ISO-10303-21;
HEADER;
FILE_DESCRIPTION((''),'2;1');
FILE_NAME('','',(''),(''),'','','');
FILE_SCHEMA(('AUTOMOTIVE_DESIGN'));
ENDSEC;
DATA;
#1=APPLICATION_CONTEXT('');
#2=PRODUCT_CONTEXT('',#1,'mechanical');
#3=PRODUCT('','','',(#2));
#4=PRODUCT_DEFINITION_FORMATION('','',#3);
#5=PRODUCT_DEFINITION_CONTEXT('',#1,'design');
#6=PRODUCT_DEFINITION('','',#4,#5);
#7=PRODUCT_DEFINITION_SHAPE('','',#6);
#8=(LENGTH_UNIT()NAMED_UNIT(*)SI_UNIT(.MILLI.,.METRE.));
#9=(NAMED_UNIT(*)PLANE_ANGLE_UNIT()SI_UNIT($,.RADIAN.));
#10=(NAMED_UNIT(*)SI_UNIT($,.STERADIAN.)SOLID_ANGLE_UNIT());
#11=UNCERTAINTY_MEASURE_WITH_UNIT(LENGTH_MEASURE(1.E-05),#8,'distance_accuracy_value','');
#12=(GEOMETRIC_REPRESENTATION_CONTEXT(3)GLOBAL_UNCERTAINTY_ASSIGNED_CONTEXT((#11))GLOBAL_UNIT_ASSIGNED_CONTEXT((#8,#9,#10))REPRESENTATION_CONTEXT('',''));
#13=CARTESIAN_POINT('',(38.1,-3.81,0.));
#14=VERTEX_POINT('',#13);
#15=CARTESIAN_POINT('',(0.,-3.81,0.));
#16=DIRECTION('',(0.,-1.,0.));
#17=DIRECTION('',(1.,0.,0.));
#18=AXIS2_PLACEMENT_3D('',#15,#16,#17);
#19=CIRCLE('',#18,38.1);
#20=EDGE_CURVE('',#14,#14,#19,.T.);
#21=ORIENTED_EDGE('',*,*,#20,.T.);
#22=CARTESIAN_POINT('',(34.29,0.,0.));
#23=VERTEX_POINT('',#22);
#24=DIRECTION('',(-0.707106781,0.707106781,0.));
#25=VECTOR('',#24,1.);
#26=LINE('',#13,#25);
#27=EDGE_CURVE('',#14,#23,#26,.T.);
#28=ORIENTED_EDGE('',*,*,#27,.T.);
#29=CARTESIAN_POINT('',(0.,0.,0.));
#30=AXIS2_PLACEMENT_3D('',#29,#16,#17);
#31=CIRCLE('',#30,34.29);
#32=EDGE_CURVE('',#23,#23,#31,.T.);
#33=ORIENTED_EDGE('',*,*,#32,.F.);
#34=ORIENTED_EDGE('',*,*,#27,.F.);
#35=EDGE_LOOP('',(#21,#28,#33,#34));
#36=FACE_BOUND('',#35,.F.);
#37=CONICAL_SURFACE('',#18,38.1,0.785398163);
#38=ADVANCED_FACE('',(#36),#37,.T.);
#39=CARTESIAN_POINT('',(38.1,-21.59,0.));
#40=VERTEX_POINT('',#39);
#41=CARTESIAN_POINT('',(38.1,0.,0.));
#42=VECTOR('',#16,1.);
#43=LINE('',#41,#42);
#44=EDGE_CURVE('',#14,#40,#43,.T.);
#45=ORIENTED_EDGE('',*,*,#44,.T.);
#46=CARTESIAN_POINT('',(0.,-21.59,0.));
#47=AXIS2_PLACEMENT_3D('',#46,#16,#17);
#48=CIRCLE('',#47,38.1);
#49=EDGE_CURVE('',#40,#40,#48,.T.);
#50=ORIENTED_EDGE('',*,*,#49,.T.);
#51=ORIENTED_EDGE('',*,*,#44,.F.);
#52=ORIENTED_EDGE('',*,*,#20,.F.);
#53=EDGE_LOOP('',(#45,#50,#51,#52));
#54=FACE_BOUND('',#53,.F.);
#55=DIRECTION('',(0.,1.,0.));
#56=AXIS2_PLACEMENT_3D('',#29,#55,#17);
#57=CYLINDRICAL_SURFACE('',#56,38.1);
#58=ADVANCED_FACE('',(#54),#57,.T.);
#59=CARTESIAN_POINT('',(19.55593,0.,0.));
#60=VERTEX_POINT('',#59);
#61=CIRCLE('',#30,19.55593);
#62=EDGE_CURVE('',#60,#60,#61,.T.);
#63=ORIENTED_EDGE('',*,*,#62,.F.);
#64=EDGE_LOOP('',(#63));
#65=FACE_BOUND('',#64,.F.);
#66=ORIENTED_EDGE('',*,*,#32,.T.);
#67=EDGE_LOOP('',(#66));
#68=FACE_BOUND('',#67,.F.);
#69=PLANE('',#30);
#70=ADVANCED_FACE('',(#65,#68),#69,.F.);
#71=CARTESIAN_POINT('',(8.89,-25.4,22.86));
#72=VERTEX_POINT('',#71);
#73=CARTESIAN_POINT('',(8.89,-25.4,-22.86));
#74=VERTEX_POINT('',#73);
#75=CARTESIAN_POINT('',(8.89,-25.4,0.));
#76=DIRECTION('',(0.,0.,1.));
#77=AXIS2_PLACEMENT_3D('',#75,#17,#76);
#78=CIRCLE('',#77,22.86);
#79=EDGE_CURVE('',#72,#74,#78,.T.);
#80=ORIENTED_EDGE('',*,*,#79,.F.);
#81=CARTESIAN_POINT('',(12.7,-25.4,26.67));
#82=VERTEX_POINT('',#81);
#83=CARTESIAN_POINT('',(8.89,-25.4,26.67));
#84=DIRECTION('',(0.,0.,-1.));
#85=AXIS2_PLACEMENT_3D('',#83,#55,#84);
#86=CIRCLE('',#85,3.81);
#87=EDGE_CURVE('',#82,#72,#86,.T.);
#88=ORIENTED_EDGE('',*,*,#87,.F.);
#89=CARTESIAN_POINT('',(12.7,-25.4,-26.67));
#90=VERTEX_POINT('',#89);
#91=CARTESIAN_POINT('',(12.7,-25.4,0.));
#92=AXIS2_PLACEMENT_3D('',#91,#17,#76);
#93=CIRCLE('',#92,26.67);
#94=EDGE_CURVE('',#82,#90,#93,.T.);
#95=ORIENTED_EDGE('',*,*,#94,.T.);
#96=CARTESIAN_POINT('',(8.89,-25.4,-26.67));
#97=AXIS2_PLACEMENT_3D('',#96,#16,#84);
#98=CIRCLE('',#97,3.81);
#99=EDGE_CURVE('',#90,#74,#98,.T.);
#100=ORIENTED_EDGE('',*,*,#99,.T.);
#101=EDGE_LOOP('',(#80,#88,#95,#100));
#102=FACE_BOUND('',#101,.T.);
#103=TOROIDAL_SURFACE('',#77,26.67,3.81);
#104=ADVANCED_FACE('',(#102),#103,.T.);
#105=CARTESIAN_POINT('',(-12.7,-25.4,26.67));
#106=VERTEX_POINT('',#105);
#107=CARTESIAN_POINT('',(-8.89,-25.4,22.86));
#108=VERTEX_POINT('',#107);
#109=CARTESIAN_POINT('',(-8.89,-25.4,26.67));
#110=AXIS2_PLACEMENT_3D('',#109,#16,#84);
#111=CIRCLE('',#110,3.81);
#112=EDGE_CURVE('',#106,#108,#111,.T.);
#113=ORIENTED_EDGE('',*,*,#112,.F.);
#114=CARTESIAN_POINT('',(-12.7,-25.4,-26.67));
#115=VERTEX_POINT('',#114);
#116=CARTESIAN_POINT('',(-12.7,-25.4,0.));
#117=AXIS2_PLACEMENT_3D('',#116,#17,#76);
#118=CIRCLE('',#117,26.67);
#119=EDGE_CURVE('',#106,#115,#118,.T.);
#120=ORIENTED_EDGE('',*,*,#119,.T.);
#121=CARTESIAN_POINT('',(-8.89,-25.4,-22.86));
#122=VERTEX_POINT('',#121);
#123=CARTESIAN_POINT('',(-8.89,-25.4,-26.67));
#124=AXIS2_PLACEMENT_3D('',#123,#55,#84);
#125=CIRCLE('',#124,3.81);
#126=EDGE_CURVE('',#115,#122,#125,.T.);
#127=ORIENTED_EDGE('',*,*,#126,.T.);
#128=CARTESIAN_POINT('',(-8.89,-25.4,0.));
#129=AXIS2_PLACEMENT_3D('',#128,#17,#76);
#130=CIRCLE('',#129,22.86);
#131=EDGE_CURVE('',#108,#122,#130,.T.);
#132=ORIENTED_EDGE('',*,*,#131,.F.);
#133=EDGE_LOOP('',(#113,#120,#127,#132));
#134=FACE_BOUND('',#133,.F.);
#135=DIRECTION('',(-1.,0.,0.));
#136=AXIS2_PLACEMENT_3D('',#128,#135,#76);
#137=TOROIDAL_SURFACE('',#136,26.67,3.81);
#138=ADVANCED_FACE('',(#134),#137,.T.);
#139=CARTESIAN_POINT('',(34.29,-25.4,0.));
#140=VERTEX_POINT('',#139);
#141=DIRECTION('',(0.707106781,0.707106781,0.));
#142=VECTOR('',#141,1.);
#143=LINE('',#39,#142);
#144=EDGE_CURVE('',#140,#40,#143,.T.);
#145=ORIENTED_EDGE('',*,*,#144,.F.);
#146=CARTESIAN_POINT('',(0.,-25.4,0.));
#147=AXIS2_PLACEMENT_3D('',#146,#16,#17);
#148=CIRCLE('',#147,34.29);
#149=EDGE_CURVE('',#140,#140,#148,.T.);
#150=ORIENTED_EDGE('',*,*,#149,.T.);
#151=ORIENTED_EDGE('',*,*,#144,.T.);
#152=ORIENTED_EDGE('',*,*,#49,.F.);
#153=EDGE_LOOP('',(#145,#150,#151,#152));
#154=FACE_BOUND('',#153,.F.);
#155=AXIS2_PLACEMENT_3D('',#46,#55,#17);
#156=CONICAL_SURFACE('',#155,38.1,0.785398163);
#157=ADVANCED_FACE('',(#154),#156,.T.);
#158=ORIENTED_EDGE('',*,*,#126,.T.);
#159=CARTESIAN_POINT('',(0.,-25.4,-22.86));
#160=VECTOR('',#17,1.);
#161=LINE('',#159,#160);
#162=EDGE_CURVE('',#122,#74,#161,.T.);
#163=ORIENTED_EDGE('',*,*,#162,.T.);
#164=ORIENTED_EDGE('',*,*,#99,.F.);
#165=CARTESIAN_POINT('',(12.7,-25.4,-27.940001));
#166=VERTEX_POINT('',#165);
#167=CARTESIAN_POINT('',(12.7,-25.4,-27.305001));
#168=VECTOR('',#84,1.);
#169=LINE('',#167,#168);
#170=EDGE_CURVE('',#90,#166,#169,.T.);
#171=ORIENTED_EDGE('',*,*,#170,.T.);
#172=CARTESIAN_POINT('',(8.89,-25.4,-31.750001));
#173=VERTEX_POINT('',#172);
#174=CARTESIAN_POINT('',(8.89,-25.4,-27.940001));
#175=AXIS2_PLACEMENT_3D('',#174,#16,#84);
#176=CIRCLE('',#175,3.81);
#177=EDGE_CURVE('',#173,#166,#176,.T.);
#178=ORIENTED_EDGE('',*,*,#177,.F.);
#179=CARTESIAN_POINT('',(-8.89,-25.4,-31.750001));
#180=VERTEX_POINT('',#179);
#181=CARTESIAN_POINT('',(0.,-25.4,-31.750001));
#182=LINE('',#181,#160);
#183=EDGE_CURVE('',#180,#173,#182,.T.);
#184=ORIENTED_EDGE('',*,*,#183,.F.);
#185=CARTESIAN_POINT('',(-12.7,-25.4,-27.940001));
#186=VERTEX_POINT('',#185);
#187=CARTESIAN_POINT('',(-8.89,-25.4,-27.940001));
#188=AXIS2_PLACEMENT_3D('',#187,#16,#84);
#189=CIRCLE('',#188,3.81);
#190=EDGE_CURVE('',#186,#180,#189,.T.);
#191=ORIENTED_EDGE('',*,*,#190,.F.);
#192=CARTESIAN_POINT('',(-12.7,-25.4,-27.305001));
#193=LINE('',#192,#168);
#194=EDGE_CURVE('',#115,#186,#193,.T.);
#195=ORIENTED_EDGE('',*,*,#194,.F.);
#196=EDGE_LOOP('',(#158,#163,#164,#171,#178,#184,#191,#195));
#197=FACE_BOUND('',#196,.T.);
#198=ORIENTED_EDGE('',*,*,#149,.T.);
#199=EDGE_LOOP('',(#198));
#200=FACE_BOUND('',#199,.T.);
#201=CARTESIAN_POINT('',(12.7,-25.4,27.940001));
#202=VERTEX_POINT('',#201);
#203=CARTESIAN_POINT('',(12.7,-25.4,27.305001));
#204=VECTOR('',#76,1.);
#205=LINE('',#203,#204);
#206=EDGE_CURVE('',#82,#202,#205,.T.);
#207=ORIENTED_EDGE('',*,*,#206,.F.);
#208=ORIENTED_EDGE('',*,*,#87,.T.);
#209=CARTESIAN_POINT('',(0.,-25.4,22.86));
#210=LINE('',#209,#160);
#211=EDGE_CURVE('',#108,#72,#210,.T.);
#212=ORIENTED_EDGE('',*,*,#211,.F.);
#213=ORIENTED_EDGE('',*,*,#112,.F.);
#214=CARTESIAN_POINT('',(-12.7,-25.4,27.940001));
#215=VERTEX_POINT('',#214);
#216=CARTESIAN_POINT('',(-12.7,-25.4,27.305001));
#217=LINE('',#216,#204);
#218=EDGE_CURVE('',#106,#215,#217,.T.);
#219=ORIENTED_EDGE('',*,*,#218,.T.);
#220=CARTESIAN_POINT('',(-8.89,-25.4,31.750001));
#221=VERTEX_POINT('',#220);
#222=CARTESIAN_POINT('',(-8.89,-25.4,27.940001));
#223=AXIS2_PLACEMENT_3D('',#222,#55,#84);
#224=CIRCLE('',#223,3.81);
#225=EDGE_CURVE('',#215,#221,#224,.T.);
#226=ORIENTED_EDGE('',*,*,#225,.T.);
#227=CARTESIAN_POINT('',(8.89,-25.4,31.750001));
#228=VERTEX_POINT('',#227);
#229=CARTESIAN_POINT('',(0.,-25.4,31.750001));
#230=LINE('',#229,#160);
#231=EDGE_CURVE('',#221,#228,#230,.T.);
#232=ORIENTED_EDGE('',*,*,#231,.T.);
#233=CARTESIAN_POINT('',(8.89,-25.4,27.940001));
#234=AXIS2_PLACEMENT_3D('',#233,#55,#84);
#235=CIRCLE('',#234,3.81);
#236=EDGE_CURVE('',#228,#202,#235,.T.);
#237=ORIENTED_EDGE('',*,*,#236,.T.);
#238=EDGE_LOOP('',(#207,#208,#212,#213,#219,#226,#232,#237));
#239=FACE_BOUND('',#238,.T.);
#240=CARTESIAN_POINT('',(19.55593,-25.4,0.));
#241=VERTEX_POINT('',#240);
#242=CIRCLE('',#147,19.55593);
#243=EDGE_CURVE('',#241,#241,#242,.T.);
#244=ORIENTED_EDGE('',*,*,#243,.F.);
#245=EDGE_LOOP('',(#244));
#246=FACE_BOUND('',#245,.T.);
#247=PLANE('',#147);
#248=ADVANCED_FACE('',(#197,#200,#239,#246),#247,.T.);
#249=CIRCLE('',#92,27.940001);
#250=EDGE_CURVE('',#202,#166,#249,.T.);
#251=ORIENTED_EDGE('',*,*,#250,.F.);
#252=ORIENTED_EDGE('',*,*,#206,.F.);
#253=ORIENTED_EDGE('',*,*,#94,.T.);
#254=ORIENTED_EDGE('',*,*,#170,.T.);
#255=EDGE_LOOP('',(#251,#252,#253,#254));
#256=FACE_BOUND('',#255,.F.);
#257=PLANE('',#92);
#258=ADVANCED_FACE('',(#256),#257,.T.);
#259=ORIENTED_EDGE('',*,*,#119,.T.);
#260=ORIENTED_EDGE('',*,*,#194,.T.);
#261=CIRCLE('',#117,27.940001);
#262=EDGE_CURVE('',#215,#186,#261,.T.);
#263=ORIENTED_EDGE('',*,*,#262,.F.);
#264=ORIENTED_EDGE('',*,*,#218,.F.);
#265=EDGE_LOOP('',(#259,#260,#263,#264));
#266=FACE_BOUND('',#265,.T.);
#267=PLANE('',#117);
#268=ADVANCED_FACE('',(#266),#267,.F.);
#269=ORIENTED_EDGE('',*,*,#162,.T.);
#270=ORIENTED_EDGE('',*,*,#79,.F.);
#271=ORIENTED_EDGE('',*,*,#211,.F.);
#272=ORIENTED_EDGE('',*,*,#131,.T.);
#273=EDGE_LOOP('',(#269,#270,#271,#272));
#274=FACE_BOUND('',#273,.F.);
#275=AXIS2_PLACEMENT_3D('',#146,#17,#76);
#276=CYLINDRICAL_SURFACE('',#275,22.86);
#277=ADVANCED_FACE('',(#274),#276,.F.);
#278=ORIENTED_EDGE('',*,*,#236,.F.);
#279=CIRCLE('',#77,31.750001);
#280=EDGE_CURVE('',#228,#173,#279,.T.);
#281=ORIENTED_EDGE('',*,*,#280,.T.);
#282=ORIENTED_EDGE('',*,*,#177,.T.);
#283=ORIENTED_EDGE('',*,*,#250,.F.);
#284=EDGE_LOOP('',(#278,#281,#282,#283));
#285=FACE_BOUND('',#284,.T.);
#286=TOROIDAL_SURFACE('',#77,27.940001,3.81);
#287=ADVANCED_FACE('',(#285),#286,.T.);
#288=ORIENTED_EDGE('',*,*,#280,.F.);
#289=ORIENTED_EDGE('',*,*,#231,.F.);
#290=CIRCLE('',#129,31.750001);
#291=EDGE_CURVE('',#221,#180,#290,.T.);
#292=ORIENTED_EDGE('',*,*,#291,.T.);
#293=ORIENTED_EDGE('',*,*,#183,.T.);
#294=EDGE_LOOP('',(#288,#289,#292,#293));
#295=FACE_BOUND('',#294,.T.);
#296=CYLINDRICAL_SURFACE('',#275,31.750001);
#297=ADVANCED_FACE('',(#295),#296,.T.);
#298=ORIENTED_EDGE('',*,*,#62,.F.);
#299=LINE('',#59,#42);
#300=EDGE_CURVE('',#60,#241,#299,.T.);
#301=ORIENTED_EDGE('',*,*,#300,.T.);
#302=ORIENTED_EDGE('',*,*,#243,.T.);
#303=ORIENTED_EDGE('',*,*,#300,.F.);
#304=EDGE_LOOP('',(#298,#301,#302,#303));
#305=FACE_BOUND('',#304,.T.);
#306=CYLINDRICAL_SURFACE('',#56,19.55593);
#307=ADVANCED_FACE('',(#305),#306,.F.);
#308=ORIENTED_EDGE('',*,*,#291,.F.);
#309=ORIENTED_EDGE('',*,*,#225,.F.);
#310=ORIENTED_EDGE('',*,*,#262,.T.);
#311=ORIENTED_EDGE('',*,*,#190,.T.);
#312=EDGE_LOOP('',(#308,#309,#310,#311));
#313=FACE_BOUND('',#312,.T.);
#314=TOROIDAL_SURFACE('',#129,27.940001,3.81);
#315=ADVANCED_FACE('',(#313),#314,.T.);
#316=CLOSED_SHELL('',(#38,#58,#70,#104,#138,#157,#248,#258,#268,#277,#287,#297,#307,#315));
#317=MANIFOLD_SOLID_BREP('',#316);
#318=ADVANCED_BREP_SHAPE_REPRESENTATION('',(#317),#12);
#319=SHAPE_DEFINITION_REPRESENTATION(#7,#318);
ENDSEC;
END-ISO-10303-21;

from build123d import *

# Parameters (mm, degrees)
F0_R     = 38.1
F0_R_2   = 19.5559303257
F1_DEPTH = 25.4
F2_W     = 25.4
F2_H     = 8.8900010133
F3_ANGLE = 180
F4_R     = 3.81
F5_SIZE  = 3.81


with BuildPart() as f1:
    # F0 (on Front) → F1 (new body)
    with BuildSketch(Plane.XZ):
        Circle(F0_R)
        Circle(F0_R_2, mode=Mode.SUBTRACT)
    extrude(amount=F1_DEPTH)

    # F2 (on face) → F3 (revolve)
    with BuildSketch(Plane.XZ.offset(25.4)):
        with Locations((0, 27.3050005066)):
            Rectangle(F2_W, F2_H)
    revolve(axis=Axis((9.351817891, -25.4, 0), (1, 0, 0)), revolution_arc=F3_ANGLE)

    # F4
    f4_edges = [f1.edges().sort_by_distance(p)[0] for p in [
        (-12.7, -57.150001, 0),
        (12.7, -57.150001, 0),
        (12.7, -48.26, 0),
        (-12.7, -48.26, 0),
    ]]
    fillet(f4_edges, radius=F4_R)

    # F5
    f5_edges = [f1.edges().sort_by_distance(p)[0] for p in [
        (38.1, -12.7, 0),
        (-38.1, 0, 0),
        (-38.1, -25.4, 0),
    ]]
    chamfer(f5_edges, length=F5_SIZE)


solid = f1.part
